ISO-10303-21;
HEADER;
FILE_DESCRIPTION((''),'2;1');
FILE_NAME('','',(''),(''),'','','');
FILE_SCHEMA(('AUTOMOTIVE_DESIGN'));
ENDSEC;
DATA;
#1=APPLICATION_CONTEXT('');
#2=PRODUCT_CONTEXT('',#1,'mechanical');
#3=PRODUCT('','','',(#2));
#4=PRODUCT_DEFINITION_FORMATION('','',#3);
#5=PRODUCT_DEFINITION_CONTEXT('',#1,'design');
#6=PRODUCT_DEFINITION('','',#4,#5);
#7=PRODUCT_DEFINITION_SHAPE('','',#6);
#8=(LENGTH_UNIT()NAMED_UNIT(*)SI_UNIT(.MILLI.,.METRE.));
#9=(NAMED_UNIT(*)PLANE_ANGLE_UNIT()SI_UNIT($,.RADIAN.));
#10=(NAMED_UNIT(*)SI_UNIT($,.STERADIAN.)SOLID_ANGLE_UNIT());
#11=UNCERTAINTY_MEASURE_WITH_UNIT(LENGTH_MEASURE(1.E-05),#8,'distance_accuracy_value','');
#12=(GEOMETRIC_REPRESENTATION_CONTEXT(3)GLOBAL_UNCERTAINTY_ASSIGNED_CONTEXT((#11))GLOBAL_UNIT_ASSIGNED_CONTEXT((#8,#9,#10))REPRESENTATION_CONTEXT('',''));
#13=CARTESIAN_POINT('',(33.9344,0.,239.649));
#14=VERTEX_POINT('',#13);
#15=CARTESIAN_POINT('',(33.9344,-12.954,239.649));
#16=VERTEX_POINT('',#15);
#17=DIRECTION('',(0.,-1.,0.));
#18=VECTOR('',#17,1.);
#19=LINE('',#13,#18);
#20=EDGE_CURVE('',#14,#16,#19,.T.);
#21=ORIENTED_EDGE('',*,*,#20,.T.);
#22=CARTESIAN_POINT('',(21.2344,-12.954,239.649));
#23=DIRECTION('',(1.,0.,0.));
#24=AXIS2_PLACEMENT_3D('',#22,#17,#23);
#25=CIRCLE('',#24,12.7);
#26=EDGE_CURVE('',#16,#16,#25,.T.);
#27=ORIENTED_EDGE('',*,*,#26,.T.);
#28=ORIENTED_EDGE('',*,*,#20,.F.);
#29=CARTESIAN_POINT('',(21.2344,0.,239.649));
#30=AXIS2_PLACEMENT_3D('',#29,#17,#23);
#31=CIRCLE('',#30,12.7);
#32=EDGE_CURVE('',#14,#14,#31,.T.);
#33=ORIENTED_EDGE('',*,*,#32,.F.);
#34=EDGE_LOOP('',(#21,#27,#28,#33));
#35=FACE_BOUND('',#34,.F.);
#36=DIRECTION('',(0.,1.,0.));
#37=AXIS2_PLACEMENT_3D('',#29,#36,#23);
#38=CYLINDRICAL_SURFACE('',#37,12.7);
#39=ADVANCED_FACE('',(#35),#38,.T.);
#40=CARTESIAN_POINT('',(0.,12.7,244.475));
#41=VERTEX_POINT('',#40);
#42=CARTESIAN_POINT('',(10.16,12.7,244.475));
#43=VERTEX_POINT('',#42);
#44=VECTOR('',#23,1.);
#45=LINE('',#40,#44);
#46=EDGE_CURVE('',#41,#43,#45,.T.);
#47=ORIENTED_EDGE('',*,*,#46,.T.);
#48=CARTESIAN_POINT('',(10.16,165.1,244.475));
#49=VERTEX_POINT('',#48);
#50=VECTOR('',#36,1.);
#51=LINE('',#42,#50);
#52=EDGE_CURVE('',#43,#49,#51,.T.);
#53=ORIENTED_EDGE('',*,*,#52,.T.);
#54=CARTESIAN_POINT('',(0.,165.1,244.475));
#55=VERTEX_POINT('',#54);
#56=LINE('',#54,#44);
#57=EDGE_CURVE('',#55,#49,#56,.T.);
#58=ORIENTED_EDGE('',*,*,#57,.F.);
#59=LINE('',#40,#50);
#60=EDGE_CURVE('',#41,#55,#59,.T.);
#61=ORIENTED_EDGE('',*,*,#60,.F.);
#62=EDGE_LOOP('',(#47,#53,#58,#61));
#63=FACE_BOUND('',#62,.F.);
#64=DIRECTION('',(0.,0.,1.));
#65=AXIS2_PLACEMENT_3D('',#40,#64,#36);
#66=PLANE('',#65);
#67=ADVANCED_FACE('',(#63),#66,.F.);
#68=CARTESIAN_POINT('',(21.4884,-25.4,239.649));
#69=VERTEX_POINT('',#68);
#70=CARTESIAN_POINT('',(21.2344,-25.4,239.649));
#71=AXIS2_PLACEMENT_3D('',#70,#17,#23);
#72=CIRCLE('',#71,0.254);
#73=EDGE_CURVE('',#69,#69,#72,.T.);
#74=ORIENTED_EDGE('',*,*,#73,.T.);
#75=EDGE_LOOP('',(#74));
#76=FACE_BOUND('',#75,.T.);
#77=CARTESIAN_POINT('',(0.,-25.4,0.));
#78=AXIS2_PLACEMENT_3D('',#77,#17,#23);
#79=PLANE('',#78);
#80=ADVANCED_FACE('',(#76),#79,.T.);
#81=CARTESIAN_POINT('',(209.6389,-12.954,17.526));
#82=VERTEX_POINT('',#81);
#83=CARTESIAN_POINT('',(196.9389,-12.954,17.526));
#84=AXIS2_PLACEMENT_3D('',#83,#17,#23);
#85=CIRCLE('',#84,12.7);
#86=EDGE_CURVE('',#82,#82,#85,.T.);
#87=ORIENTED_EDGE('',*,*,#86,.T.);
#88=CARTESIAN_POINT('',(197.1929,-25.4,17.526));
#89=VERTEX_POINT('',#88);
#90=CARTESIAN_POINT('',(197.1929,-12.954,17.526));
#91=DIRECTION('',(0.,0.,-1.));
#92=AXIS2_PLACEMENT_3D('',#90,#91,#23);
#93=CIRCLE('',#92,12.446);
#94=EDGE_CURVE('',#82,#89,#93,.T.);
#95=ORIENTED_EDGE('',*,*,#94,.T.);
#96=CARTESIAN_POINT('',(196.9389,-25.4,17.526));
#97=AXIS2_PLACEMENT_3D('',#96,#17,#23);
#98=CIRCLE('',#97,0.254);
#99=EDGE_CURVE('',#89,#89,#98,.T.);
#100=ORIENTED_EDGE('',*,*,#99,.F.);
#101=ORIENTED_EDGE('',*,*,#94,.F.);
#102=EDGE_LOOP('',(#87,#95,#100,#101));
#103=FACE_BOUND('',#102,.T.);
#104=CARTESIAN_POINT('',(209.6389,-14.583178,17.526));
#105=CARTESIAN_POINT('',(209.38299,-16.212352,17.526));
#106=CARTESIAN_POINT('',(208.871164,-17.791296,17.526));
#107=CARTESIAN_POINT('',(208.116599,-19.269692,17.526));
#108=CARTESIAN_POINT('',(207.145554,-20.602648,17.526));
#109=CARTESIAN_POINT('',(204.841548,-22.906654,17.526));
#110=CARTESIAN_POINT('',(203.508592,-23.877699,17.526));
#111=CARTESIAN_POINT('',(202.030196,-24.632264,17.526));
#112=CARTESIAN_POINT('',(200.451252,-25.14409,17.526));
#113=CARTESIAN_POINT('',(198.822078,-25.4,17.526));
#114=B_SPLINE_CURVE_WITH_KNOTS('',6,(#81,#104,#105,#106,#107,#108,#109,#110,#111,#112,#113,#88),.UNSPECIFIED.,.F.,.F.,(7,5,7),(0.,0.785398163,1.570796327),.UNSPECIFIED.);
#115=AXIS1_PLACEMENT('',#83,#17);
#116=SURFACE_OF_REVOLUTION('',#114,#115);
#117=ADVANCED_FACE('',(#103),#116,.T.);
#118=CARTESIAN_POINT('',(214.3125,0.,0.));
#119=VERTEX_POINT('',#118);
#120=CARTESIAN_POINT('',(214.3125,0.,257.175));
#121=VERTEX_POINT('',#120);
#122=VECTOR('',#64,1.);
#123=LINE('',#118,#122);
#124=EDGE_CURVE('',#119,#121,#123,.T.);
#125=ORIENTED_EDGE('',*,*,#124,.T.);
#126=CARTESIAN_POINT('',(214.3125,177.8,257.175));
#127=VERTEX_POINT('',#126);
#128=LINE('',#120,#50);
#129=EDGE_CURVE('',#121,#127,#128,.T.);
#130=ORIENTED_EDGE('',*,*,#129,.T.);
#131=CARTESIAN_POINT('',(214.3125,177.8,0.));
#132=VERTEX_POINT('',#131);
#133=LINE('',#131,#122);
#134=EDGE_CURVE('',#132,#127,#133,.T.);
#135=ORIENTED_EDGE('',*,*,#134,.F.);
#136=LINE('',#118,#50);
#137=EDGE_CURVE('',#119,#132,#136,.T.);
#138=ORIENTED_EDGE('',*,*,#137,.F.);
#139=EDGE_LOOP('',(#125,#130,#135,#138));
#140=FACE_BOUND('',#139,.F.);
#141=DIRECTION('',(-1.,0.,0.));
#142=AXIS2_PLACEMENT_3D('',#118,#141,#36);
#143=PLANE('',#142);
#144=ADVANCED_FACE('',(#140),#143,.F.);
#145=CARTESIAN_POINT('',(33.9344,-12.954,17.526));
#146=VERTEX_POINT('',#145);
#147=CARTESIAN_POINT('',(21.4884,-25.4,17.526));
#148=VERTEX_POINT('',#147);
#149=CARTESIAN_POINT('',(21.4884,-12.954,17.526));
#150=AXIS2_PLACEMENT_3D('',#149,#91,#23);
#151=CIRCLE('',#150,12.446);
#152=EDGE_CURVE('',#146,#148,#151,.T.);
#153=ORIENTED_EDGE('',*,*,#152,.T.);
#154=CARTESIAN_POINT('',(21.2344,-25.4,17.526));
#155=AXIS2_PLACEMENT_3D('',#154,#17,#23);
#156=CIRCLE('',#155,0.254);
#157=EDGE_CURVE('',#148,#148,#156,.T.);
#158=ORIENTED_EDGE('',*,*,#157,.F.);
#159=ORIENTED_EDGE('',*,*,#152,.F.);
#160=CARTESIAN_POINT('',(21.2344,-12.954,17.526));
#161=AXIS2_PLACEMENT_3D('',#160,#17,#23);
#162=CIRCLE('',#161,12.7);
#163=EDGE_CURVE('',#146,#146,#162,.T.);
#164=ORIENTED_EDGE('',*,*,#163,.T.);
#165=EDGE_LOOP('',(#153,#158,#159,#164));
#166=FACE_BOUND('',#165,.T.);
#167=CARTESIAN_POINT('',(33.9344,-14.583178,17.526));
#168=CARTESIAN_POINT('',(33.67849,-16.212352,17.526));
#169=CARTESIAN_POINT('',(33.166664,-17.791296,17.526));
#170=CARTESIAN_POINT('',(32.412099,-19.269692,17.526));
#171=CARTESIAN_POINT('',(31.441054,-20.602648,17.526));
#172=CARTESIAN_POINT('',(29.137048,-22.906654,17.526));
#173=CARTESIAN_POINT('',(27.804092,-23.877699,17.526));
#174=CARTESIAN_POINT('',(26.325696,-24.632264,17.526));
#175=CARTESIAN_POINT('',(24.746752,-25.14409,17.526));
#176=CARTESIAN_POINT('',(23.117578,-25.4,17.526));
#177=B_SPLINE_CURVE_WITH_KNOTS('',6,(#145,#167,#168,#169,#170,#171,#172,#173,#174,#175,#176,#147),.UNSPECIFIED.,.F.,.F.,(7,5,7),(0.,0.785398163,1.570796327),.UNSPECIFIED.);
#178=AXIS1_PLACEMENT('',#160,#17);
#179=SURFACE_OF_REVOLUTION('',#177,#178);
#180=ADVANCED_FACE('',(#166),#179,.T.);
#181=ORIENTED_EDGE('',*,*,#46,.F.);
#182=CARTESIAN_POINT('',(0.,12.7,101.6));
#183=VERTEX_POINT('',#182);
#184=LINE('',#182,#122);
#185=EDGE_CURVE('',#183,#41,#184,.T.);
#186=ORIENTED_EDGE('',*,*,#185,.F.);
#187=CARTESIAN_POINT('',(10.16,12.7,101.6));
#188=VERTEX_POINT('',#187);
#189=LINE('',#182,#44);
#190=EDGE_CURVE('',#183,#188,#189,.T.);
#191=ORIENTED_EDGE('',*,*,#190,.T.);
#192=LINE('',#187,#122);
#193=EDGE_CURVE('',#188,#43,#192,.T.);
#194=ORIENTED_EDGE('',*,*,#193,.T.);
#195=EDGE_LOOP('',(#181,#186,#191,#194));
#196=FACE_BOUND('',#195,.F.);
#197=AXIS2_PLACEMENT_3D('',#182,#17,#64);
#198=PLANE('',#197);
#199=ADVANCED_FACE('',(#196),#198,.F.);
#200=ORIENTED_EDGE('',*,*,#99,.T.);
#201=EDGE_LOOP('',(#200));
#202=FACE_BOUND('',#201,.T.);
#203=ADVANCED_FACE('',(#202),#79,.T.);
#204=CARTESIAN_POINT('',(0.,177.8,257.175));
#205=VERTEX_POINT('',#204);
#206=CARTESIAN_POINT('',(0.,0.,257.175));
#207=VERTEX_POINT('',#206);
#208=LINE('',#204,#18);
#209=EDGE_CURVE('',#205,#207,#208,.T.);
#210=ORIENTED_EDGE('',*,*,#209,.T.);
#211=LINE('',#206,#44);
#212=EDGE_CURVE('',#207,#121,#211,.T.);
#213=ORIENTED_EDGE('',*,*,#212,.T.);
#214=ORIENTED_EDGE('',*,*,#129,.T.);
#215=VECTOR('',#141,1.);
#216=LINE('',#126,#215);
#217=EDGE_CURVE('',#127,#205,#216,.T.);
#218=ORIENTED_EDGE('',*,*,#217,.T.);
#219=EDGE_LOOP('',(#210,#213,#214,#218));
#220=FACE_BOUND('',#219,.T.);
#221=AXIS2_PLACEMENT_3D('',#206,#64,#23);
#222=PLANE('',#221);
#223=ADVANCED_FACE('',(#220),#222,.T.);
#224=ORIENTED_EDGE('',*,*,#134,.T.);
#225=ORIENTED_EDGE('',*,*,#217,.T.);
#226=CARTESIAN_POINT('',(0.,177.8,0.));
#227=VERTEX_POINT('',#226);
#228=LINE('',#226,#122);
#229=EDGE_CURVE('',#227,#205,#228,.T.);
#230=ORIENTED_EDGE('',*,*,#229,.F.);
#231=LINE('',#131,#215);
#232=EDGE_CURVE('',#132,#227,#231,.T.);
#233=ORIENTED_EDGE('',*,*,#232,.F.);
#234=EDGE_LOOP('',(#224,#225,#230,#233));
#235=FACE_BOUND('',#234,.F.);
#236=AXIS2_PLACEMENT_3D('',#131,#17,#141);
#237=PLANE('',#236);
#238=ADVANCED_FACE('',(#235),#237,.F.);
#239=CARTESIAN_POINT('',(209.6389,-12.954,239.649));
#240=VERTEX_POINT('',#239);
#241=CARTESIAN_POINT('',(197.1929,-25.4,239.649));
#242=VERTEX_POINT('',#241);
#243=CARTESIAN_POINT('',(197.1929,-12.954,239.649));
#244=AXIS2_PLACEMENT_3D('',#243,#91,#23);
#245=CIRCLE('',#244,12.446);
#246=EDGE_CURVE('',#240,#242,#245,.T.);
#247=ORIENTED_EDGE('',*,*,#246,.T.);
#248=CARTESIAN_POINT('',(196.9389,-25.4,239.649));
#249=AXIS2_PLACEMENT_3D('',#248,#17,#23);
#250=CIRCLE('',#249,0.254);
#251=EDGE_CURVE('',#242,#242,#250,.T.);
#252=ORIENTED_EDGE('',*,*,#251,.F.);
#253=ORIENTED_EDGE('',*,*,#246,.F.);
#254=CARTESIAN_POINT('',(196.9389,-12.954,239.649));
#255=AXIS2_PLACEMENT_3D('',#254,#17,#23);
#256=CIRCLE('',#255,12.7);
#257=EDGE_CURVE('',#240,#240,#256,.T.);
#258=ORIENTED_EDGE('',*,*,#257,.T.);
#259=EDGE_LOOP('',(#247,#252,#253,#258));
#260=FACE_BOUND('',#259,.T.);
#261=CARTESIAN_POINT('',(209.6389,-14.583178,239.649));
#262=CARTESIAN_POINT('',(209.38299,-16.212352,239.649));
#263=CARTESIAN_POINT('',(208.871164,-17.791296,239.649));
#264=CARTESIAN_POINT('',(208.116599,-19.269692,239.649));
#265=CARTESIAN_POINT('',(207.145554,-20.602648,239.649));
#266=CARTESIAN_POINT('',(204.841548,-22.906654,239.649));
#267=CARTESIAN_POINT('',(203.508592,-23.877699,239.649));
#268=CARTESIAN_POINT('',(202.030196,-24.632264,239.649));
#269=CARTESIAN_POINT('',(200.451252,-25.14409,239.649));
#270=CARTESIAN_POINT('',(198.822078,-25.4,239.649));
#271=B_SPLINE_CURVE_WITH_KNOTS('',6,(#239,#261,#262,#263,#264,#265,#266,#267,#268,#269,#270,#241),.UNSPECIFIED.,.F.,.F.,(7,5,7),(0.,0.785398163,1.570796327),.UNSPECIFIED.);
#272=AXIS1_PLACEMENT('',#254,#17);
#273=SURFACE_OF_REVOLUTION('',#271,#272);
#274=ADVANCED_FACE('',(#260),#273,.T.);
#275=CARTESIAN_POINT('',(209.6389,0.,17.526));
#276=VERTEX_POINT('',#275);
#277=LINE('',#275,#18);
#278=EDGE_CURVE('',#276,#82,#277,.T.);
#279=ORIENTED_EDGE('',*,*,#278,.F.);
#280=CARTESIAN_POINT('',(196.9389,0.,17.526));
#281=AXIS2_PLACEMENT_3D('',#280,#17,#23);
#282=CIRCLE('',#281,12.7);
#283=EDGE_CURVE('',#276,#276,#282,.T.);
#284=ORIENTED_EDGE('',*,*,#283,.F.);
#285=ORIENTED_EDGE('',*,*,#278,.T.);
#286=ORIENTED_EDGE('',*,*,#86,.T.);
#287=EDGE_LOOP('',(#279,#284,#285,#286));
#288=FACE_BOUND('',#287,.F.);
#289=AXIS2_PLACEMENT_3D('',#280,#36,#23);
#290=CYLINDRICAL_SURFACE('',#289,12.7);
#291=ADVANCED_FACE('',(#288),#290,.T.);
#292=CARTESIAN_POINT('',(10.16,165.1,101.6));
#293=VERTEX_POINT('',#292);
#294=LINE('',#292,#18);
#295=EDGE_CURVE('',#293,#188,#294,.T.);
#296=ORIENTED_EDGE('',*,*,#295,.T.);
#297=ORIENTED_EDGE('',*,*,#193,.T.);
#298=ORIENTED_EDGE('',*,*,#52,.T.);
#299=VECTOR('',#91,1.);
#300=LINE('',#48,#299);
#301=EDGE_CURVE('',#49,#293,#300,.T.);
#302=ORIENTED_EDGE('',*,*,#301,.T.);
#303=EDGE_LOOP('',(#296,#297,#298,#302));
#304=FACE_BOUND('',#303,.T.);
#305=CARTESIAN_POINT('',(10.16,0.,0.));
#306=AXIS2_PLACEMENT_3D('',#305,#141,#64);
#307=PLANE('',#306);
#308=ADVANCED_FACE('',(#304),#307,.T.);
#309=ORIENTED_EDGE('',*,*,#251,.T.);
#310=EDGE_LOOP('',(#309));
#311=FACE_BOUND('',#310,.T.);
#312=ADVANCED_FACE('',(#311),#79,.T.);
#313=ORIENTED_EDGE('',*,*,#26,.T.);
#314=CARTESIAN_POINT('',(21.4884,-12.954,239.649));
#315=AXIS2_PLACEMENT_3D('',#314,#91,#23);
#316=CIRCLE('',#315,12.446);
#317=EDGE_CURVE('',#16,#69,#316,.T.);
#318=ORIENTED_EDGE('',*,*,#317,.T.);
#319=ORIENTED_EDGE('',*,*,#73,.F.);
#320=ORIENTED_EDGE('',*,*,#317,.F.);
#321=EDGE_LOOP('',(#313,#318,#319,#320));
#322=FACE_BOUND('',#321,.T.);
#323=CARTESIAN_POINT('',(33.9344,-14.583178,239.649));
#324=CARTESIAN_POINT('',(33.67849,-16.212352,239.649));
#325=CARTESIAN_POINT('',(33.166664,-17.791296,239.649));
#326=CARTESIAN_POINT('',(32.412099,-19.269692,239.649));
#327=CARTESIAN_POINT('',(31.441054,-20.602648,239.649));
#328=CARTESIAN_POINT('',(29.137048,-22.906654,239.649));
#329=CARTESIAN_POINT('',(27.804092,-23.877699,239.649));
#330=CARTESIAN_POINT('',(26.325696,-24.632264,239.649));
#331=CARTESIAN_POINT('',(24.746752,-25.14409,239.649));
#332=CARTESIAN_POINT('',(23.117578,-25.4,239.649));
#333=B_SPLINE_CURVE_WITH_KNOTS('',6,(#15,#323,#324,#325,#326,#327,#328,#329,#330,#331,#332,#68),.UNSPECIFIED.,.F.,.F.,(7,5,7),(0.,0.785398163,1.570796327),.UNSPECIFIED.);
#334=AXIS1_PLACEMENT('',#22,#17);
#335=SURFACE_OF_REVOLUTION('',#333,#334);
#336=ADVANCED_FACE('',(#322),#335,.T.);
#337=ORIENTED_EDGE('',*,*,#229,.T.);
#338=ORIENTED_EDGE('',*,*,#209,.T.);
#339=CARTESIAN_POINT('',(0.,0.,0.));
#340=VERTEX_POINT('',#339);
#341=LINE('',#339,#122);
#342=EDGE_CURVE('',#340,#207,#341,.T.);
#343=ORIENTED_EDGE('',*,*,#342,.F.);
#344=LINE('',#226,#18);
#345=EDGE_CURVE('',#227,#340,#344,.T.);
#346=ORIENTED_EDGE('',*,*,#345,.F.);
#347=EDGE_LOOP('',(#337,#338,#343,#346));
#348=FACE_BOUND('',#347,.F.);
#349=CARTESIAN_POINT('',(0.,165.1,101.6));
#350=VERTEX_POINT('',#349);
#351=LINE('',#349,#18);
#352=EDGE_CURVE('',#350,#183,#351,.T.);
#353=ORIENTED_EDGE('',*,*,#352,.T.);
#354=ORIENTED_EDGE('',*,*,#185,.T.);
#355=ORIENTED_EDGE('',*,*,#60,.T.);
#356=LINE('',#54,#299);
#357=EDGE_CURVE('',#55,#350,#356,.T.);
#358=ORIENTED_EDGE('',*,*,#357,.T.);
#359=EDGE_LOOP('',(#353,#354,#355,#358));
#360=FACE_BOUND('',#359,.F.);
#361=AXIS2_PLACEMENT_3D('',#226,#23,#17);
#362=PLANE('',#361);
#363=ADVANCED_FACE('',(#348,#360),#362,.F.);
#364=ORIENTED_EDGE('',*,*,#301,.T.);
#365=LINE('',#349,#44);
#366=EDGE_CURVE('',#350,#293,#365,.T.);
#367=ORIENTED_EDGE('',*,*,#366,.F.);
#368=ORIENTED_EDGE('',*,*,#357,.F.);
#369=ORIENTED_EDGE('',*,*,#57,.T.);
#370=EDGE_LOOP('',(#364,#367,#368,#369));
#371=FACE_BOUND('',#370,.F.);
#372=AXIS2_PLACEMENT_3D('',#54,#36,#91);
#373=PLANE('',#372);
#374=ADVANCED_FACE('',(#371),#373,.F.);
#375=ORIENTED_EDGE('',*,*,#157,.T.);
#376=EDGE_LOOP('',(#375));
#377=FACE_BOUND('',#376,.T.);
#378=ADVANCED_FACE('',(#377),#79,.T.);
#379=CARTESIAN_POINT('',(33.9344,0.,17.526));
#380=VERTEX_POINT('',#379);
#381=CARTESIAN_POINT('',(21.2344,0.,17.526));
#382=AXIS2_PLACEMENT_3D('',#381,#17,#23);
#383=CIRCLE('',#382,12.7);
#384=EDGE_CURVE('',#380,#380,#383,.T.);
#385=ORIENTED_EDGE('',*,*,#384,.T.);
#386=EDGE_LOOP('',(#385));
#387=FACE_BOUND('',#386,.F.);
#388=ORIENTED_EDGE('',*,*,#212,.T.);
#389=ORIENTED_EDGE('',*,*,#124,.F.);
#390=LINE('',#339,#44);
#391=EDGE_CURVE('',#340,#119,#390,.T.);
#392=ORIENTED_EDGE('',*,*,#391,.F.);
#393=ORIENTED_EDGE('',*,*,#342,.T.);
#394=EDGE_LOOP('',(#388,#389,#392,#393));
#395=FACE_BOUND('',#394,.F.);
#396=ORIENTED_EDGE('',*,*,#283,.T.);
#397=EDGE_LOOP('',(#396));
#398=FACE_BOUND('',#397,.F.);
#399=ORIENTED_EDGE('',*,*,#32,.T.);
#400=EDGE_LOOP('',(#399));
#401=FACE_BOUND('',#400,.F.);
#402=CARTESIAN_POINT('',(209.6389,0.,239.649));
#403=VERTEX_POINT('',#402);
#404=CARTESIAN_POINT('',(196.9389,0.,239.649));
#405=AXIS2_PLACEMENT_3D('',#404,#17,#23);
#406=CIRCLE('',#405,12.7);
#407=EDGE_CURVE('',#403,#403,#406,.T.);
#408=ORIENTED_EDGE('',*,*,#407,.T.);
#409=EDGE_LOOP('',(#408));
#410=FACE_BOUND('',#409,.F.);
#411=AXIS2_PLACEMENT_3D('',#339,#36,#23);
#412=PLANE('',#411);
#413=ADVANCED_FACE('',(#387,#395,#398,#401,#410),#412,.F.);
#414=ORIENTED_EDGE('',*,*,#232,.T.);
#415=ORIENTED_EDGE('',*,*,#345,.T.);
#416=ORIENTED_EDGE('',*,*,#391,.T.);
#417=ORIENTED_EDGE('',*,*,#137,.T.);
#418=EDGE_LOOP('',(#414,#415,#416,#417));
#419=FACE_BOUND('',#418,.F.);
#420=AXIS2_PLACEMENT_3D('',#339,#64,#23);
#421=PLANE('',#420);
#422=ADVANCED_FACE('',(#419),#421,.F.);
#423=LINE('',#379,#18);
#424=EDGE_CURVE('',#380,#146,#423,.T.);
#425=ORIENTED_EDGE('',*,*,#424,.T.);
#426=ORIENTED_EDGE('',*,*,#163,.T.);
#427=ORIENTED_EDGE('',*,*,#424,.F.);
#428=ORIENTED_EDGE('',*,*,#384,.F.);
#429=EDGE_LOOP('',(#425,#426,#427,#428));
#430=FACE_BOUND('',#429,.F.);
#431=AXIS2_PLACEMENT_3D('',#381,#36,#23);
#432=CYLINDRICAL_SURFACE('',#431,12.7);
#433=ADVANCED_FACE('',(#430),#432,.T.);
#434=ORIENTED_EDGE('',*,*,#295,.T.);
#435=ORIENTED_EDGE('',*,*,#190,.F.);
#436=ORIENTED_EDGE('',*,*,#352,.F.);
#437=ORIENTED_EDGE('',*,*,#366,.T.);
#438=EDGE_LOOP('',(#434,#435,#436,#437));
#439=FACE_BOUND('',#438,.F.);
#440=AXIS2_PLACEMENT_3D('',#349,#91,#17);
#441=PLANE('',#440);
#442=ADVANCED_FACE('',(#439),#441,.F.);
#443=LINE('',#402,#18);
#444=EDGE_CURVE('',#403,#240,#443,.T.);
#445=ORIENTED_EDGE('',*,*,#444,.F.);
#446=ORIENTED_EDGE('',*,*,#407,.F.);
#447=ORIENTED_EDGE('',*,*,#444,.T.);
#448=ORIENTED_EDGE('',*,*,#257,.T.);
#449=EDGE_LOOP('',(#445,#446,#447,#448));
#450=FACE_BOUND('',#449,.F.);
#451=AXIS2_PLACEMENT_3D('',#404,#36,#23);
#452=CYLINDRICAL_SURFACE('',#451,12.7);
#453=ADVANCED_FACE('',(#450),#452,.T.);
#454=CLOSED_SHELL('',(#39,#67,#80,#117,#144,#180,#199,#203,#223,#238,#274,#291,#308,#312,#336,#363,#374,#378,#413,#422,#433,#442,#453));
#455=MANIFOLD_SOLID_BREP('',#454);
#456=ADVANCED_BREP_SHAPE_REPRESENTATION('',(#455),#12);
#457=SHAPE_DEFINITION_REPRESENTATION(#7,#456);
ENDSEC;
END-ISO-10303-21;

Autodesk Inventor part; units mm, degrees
ref_plane "YZ Plane" through (0, 0, 0) normal (1, 0, 0) x (0, 1, 0)
ref_plane "XZ Plane" through (0, 0, 0) normal (0, 1, 0) x (-1, 0, 0)
ref_plane "XY Plane" through (0, 0, 0) normal (0, 0, 1) x (1, 0, 0)
sketch "Sketch1" plane through (0, 0, 0) normal (0, 0, 1) x (1, 0, 0)
  line L0 (0, 0) -> (214.3125, 0)
  line L1 (214.3125, 0) -> (214.3125, 177.8)
  line L2 (214.3125, 177.8) -> (0, 177.8)
  line L3 (0, 177.8) -> (0, 0)
  dimension "d0" = 214.3125
  dimension "d1" = 177.8
extrude "Extrusion1" add sketch "Sketch1" along normal blind 257.175
sketch "Sketch2" plane through (0, 0, 0) normal (0, -1, 0) x (1, 0, 0)
  line L0 (214.3125, 0) -> (214.3125, 257.175) projected
  line L1 (214.3125, 128.5875) -> (107.1562, 128.5875) construction
  line L2 (107.1562, 128.5875) -> (107.1562, 0) construction
  line L3 (214.3125, 257.175) -> (0, 257.175) construction
  line L4 (214.3125, 0) -> (214.3125, 257.175) construction
  line L5 (214.3125, 257.175) -> (214.3125, 239.649) construction
  line L6 (214.3125, 239.649) -> (196.9389, 239.649) construction
  circle A0 centre (196.9389, 239.649) radius 12.7
  circle A1 centre (196.9389, 17.526) radius 12.7
  line L7 (196.9389, 239.649) -> (11.3133, 239.649) construction
  circle A2 centre (21.2344, 239.649) radius 12.7
  line L8 (0, 0) -> (0, 257.175) construction
  circle A3 centre (21.2344, 17.526) radius 12.7
  dimension "d4" = 107.1562
  dimension "d6" = 17.526
  dimension "d7" = 17.3736
  dimension "d8" = 25.4
  dimension "d9" = 25.4
  dimension "d10" = 21.2344
extrude "Extrusion2" add sketch "Sketch2" along normal blind 25.4
fillet "Fillet1" radius 12.446 4 edges at (184.2389, -25.4, 239.649) (8.5344, -25.4, 239.649) (8.5344, -25.4, 17.526) (184.2389, -25.4, 17.526)
sketch "Sketch3" plane through (0, 0, 0) normal (-1, 0, 0) x (0, 0, 1)
  line L0 (257.175, 0) -> (257.175, 177.8) projected
  line L1 (257.175, 177.8) -> (257.175, 165.1)
  line L2 (257.175, 165.1) -> (244.475, 165.1)
  line L3 (0, 0) -> (101.6, 0)
  line L4 (101.6, 0) -> (101.6, 12.7)
  line L5 (244.475, 165.1) -> (101.6, 165.1)
  line L6 (101.6, 165.1) -> (101.6, 12.7)
  line L7 (101.6, 12.7) -> (244.475, 12.7)
  line L8 (244.475, 12.7) -> (244.475, 165.1)
  dimension "d14" = 12.7
  dimension "d15" = 12.7
  dimension "d16" = 101.6
  dimension "d17" = 12.7
extrude "Extrusion3" cut sketch "Sketch3" against normal blind 10.16
properties part number "PXie-1083"
